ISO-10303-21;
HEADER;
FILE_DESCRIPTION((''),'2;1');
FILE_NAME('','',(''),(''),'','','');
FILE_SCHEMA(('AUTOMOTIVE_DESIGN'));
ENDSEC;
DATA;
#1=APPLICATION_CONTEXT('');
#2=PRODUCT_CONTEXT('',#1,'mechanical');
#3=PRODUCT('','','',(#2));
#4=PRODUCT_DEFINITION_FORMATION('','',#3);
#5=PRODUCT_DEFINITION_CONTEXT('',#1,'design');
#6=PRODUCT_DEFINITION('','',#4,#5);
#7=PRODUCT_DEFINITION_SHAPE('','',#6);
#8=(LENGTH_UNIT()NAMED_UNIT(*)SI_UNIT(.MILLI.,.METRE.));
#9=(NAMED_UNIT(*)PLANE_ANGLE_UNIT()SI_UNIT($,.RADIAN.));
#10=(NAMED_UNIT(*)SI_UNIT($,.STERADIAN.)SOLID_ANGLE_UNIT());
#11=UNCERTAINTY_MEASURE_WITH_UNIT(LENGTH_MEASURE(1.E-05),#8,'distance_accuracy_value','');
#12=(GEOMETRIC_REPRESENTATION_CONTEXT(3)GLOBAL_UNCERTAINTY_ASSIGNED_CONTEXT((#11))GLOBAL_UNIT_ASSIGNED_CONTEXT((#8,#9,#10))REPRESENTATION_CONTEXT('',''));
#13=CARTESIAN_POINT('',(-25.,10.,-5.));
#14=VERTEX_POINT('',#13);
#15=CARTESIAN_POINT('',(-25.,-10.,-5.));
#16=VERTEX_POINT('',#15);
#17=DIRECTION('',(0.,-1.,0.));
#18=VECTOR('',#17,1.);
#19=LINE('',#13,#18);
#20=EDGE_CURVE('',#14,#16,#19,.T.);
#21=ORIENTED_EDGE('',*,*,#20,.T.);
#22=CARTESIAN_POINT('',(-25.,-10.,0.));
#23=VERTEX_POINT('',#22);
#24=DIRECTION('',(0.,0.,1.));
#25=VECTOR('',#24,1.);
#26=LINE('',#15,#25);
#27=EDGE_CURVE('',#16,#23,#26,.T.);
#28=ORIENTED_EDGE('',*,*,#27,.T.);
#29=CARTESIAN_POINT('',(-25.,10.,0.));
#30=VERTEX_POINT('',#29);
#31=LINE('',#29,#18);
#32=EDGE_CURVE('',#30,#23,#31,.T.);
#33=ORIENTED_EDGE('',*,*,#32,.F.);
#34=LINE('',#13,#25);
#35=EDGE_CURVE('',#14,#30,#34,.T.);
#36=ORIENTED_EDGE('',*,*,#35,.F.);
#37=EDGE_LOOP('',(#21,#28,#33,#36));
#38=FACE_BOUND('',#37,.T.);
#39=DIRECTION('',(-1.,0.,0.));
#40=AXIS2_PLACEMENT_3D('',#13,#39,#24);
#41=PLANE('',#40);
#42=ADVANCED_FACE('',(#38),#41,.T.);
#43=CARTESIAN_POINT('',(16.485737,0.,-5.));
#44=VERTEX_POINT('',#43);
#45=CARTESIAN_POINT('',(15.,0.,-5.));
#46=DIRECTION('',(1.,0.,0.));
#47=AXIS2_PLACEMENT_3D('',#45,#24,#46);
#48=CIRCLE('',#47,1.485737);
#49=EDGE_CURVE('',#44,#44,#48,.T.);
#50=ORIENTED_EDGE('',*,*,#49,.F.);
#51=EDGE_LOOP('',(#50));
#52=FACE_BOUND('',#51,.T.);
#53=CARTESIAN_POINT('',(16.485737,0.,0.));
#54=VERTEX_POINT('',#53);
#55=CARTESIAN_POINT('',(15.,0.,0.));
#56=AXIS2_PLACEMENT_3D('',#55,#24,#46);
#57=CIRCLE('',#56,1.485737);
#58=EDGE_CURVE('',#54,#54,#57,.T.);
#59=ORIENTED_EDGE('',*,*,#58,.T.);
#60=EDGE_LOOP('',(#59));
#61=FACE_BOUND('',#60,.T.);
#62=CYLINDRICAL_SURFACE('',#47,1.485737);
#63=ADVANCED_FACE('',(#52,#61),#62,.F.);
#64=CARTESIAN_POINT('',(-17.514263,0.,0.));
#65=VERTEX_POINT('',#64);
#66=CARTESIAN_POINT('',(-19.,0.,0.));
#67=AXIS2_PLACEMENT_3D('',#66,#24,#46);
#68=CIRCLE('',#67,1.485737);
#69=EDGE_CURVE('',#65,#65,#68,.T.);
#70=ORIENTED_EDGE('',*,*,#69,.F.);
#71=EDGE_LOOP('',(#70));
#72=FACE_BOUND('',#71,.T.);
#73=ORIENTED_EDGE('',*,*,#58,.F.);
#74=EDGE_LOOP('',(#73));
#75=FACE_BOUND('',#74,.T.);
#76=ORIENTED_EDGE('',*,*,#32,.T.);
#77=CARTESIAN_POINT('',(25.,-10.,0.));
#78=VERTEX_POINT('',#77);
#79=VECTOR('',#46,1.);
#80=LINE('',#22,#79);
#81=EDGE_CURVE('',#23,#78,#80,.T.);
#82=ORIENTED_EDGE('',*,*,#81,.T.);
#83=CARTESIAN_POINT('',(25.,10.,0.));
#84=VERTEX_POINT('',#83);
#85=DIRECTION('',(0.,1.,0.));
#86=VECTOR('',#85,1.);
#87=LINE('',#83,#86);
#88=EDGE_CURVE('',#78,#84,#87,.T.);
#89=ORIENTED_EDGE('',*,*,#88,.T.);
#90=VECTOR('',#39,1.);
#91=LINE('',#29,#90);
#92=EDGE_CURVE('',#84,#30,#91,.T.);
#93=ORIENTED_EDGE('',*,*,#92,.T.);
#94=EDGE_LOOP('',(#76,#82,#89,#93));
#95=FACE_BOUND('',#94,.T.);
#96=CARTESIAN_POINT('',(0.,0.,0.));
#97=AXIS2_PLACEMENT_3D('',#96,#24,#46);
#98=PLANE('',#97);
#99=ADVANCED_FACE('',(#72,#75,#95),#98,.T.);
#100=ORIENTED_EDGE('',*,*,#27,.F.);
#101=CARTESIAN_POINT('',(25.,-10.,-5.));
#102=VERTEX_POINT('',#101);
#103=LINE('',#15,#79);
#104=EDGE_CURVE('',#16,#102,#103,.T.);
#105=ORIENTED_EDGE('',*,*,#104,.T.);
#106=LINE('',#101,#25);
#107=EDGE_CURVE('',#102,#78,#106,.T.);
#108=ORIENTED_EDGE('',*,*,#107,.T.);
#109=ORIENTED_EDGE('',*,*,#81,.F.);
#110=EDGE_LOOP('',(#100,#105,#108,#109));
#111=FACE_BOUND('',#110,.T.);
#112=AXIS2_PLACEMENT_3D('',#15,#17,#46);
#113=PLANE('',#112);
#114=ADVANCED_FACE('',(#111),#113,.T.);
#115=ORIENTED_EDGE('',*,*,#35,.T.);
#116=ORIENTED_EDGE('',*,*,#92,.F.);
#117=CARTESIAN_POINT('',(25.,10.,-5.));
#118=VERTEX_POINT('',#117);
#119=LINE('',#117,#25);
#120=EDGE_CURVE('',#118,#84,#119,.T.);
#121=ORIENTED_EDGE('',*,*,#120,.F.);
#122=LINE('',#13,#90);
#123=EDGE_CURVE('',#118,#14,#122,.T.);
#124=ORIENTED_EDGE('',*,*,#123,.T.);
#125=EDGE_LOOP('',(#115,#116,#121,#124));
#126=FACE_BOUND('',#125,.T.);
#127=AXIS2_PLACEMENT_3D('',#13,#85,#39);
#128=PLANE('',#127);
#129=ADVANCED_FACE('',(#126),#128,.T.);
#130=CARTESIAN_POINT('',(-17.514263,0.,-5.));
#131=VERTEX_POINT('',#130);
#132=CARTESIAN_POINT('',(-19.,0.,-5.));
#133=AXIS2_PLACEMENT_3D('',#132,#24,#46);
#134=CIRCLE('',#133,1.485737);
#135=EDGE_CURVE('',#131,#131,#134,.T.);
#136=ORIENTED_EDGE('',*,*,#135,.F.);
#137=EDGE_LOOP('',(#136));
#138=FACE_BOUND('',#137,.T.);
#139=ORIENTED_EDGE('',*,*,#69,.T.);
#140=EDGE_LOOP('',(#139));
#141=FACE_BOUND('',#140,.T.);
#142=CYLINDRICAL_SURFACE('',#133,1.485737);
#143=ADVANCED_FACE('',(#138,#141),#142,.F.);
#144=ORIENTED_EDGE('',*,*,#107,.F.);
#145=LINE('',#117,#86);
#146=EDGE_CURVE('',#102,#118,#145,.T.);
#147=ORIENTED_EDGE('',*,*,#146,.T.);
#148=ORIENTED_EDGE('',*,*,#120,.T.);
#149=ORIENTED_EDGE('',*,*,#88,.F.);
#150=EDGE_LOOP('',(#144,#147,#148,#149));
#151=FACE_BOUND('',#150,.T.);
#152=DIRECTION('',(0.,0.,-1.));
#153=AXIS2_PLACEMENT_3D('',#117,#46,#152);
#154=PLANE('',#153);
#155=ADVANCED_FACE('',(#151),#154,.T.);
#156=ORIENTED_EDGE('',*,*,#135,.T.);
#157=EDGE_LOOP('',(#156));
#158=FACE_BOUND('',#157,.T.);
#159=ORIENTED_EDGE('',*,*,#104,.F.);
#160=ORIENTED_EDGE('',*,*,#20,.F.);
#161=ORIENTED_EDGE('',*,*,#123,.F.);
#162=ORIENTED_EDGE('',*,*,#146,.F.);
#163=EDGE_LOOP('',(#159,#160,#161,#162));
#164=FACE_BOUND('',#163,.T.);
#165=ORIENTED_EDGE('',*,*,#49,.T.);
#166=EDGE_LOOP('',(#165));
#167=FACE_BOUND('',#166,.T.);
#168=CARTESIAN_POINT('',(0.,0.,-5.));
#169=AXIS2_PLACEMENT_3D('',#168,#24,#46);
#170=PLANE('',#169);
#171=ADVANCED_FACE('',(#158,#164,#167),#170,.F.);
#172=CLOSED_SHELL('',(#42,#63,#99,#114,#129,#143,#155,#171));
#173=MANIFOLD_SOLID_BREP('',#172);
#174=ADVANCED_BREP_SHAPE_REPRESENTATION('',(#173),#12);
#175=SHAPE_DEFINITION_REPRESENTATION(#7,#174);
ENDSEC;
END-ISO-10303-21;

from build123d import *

# Parameters (mm, degrees)
SKETCH1_W           = 50
SKETCH1_H           = 20
SKETCH1_R           = 1.485736775
BOSS_EXTRUDE1_DEPTH = 5


with BuildPart() as part:
    # Sketch1 → Boss-Extrude1 (new body)
    with BuildSketch(Plane.XY):
        Rectangle(SKETCH1_W, SKETCH1_H)
        with Locations((-19, 0)):
            Circle(SKETCH1_R, mode=Mode.SUBTRACT)
        with Locations((15, 0)):
            Circle(SKETCH1_R, mode=Mode.SUBTRACT)
    extrude(amount=-BOSS_EXTRUDE1_DEPTH)


solid = part.part
